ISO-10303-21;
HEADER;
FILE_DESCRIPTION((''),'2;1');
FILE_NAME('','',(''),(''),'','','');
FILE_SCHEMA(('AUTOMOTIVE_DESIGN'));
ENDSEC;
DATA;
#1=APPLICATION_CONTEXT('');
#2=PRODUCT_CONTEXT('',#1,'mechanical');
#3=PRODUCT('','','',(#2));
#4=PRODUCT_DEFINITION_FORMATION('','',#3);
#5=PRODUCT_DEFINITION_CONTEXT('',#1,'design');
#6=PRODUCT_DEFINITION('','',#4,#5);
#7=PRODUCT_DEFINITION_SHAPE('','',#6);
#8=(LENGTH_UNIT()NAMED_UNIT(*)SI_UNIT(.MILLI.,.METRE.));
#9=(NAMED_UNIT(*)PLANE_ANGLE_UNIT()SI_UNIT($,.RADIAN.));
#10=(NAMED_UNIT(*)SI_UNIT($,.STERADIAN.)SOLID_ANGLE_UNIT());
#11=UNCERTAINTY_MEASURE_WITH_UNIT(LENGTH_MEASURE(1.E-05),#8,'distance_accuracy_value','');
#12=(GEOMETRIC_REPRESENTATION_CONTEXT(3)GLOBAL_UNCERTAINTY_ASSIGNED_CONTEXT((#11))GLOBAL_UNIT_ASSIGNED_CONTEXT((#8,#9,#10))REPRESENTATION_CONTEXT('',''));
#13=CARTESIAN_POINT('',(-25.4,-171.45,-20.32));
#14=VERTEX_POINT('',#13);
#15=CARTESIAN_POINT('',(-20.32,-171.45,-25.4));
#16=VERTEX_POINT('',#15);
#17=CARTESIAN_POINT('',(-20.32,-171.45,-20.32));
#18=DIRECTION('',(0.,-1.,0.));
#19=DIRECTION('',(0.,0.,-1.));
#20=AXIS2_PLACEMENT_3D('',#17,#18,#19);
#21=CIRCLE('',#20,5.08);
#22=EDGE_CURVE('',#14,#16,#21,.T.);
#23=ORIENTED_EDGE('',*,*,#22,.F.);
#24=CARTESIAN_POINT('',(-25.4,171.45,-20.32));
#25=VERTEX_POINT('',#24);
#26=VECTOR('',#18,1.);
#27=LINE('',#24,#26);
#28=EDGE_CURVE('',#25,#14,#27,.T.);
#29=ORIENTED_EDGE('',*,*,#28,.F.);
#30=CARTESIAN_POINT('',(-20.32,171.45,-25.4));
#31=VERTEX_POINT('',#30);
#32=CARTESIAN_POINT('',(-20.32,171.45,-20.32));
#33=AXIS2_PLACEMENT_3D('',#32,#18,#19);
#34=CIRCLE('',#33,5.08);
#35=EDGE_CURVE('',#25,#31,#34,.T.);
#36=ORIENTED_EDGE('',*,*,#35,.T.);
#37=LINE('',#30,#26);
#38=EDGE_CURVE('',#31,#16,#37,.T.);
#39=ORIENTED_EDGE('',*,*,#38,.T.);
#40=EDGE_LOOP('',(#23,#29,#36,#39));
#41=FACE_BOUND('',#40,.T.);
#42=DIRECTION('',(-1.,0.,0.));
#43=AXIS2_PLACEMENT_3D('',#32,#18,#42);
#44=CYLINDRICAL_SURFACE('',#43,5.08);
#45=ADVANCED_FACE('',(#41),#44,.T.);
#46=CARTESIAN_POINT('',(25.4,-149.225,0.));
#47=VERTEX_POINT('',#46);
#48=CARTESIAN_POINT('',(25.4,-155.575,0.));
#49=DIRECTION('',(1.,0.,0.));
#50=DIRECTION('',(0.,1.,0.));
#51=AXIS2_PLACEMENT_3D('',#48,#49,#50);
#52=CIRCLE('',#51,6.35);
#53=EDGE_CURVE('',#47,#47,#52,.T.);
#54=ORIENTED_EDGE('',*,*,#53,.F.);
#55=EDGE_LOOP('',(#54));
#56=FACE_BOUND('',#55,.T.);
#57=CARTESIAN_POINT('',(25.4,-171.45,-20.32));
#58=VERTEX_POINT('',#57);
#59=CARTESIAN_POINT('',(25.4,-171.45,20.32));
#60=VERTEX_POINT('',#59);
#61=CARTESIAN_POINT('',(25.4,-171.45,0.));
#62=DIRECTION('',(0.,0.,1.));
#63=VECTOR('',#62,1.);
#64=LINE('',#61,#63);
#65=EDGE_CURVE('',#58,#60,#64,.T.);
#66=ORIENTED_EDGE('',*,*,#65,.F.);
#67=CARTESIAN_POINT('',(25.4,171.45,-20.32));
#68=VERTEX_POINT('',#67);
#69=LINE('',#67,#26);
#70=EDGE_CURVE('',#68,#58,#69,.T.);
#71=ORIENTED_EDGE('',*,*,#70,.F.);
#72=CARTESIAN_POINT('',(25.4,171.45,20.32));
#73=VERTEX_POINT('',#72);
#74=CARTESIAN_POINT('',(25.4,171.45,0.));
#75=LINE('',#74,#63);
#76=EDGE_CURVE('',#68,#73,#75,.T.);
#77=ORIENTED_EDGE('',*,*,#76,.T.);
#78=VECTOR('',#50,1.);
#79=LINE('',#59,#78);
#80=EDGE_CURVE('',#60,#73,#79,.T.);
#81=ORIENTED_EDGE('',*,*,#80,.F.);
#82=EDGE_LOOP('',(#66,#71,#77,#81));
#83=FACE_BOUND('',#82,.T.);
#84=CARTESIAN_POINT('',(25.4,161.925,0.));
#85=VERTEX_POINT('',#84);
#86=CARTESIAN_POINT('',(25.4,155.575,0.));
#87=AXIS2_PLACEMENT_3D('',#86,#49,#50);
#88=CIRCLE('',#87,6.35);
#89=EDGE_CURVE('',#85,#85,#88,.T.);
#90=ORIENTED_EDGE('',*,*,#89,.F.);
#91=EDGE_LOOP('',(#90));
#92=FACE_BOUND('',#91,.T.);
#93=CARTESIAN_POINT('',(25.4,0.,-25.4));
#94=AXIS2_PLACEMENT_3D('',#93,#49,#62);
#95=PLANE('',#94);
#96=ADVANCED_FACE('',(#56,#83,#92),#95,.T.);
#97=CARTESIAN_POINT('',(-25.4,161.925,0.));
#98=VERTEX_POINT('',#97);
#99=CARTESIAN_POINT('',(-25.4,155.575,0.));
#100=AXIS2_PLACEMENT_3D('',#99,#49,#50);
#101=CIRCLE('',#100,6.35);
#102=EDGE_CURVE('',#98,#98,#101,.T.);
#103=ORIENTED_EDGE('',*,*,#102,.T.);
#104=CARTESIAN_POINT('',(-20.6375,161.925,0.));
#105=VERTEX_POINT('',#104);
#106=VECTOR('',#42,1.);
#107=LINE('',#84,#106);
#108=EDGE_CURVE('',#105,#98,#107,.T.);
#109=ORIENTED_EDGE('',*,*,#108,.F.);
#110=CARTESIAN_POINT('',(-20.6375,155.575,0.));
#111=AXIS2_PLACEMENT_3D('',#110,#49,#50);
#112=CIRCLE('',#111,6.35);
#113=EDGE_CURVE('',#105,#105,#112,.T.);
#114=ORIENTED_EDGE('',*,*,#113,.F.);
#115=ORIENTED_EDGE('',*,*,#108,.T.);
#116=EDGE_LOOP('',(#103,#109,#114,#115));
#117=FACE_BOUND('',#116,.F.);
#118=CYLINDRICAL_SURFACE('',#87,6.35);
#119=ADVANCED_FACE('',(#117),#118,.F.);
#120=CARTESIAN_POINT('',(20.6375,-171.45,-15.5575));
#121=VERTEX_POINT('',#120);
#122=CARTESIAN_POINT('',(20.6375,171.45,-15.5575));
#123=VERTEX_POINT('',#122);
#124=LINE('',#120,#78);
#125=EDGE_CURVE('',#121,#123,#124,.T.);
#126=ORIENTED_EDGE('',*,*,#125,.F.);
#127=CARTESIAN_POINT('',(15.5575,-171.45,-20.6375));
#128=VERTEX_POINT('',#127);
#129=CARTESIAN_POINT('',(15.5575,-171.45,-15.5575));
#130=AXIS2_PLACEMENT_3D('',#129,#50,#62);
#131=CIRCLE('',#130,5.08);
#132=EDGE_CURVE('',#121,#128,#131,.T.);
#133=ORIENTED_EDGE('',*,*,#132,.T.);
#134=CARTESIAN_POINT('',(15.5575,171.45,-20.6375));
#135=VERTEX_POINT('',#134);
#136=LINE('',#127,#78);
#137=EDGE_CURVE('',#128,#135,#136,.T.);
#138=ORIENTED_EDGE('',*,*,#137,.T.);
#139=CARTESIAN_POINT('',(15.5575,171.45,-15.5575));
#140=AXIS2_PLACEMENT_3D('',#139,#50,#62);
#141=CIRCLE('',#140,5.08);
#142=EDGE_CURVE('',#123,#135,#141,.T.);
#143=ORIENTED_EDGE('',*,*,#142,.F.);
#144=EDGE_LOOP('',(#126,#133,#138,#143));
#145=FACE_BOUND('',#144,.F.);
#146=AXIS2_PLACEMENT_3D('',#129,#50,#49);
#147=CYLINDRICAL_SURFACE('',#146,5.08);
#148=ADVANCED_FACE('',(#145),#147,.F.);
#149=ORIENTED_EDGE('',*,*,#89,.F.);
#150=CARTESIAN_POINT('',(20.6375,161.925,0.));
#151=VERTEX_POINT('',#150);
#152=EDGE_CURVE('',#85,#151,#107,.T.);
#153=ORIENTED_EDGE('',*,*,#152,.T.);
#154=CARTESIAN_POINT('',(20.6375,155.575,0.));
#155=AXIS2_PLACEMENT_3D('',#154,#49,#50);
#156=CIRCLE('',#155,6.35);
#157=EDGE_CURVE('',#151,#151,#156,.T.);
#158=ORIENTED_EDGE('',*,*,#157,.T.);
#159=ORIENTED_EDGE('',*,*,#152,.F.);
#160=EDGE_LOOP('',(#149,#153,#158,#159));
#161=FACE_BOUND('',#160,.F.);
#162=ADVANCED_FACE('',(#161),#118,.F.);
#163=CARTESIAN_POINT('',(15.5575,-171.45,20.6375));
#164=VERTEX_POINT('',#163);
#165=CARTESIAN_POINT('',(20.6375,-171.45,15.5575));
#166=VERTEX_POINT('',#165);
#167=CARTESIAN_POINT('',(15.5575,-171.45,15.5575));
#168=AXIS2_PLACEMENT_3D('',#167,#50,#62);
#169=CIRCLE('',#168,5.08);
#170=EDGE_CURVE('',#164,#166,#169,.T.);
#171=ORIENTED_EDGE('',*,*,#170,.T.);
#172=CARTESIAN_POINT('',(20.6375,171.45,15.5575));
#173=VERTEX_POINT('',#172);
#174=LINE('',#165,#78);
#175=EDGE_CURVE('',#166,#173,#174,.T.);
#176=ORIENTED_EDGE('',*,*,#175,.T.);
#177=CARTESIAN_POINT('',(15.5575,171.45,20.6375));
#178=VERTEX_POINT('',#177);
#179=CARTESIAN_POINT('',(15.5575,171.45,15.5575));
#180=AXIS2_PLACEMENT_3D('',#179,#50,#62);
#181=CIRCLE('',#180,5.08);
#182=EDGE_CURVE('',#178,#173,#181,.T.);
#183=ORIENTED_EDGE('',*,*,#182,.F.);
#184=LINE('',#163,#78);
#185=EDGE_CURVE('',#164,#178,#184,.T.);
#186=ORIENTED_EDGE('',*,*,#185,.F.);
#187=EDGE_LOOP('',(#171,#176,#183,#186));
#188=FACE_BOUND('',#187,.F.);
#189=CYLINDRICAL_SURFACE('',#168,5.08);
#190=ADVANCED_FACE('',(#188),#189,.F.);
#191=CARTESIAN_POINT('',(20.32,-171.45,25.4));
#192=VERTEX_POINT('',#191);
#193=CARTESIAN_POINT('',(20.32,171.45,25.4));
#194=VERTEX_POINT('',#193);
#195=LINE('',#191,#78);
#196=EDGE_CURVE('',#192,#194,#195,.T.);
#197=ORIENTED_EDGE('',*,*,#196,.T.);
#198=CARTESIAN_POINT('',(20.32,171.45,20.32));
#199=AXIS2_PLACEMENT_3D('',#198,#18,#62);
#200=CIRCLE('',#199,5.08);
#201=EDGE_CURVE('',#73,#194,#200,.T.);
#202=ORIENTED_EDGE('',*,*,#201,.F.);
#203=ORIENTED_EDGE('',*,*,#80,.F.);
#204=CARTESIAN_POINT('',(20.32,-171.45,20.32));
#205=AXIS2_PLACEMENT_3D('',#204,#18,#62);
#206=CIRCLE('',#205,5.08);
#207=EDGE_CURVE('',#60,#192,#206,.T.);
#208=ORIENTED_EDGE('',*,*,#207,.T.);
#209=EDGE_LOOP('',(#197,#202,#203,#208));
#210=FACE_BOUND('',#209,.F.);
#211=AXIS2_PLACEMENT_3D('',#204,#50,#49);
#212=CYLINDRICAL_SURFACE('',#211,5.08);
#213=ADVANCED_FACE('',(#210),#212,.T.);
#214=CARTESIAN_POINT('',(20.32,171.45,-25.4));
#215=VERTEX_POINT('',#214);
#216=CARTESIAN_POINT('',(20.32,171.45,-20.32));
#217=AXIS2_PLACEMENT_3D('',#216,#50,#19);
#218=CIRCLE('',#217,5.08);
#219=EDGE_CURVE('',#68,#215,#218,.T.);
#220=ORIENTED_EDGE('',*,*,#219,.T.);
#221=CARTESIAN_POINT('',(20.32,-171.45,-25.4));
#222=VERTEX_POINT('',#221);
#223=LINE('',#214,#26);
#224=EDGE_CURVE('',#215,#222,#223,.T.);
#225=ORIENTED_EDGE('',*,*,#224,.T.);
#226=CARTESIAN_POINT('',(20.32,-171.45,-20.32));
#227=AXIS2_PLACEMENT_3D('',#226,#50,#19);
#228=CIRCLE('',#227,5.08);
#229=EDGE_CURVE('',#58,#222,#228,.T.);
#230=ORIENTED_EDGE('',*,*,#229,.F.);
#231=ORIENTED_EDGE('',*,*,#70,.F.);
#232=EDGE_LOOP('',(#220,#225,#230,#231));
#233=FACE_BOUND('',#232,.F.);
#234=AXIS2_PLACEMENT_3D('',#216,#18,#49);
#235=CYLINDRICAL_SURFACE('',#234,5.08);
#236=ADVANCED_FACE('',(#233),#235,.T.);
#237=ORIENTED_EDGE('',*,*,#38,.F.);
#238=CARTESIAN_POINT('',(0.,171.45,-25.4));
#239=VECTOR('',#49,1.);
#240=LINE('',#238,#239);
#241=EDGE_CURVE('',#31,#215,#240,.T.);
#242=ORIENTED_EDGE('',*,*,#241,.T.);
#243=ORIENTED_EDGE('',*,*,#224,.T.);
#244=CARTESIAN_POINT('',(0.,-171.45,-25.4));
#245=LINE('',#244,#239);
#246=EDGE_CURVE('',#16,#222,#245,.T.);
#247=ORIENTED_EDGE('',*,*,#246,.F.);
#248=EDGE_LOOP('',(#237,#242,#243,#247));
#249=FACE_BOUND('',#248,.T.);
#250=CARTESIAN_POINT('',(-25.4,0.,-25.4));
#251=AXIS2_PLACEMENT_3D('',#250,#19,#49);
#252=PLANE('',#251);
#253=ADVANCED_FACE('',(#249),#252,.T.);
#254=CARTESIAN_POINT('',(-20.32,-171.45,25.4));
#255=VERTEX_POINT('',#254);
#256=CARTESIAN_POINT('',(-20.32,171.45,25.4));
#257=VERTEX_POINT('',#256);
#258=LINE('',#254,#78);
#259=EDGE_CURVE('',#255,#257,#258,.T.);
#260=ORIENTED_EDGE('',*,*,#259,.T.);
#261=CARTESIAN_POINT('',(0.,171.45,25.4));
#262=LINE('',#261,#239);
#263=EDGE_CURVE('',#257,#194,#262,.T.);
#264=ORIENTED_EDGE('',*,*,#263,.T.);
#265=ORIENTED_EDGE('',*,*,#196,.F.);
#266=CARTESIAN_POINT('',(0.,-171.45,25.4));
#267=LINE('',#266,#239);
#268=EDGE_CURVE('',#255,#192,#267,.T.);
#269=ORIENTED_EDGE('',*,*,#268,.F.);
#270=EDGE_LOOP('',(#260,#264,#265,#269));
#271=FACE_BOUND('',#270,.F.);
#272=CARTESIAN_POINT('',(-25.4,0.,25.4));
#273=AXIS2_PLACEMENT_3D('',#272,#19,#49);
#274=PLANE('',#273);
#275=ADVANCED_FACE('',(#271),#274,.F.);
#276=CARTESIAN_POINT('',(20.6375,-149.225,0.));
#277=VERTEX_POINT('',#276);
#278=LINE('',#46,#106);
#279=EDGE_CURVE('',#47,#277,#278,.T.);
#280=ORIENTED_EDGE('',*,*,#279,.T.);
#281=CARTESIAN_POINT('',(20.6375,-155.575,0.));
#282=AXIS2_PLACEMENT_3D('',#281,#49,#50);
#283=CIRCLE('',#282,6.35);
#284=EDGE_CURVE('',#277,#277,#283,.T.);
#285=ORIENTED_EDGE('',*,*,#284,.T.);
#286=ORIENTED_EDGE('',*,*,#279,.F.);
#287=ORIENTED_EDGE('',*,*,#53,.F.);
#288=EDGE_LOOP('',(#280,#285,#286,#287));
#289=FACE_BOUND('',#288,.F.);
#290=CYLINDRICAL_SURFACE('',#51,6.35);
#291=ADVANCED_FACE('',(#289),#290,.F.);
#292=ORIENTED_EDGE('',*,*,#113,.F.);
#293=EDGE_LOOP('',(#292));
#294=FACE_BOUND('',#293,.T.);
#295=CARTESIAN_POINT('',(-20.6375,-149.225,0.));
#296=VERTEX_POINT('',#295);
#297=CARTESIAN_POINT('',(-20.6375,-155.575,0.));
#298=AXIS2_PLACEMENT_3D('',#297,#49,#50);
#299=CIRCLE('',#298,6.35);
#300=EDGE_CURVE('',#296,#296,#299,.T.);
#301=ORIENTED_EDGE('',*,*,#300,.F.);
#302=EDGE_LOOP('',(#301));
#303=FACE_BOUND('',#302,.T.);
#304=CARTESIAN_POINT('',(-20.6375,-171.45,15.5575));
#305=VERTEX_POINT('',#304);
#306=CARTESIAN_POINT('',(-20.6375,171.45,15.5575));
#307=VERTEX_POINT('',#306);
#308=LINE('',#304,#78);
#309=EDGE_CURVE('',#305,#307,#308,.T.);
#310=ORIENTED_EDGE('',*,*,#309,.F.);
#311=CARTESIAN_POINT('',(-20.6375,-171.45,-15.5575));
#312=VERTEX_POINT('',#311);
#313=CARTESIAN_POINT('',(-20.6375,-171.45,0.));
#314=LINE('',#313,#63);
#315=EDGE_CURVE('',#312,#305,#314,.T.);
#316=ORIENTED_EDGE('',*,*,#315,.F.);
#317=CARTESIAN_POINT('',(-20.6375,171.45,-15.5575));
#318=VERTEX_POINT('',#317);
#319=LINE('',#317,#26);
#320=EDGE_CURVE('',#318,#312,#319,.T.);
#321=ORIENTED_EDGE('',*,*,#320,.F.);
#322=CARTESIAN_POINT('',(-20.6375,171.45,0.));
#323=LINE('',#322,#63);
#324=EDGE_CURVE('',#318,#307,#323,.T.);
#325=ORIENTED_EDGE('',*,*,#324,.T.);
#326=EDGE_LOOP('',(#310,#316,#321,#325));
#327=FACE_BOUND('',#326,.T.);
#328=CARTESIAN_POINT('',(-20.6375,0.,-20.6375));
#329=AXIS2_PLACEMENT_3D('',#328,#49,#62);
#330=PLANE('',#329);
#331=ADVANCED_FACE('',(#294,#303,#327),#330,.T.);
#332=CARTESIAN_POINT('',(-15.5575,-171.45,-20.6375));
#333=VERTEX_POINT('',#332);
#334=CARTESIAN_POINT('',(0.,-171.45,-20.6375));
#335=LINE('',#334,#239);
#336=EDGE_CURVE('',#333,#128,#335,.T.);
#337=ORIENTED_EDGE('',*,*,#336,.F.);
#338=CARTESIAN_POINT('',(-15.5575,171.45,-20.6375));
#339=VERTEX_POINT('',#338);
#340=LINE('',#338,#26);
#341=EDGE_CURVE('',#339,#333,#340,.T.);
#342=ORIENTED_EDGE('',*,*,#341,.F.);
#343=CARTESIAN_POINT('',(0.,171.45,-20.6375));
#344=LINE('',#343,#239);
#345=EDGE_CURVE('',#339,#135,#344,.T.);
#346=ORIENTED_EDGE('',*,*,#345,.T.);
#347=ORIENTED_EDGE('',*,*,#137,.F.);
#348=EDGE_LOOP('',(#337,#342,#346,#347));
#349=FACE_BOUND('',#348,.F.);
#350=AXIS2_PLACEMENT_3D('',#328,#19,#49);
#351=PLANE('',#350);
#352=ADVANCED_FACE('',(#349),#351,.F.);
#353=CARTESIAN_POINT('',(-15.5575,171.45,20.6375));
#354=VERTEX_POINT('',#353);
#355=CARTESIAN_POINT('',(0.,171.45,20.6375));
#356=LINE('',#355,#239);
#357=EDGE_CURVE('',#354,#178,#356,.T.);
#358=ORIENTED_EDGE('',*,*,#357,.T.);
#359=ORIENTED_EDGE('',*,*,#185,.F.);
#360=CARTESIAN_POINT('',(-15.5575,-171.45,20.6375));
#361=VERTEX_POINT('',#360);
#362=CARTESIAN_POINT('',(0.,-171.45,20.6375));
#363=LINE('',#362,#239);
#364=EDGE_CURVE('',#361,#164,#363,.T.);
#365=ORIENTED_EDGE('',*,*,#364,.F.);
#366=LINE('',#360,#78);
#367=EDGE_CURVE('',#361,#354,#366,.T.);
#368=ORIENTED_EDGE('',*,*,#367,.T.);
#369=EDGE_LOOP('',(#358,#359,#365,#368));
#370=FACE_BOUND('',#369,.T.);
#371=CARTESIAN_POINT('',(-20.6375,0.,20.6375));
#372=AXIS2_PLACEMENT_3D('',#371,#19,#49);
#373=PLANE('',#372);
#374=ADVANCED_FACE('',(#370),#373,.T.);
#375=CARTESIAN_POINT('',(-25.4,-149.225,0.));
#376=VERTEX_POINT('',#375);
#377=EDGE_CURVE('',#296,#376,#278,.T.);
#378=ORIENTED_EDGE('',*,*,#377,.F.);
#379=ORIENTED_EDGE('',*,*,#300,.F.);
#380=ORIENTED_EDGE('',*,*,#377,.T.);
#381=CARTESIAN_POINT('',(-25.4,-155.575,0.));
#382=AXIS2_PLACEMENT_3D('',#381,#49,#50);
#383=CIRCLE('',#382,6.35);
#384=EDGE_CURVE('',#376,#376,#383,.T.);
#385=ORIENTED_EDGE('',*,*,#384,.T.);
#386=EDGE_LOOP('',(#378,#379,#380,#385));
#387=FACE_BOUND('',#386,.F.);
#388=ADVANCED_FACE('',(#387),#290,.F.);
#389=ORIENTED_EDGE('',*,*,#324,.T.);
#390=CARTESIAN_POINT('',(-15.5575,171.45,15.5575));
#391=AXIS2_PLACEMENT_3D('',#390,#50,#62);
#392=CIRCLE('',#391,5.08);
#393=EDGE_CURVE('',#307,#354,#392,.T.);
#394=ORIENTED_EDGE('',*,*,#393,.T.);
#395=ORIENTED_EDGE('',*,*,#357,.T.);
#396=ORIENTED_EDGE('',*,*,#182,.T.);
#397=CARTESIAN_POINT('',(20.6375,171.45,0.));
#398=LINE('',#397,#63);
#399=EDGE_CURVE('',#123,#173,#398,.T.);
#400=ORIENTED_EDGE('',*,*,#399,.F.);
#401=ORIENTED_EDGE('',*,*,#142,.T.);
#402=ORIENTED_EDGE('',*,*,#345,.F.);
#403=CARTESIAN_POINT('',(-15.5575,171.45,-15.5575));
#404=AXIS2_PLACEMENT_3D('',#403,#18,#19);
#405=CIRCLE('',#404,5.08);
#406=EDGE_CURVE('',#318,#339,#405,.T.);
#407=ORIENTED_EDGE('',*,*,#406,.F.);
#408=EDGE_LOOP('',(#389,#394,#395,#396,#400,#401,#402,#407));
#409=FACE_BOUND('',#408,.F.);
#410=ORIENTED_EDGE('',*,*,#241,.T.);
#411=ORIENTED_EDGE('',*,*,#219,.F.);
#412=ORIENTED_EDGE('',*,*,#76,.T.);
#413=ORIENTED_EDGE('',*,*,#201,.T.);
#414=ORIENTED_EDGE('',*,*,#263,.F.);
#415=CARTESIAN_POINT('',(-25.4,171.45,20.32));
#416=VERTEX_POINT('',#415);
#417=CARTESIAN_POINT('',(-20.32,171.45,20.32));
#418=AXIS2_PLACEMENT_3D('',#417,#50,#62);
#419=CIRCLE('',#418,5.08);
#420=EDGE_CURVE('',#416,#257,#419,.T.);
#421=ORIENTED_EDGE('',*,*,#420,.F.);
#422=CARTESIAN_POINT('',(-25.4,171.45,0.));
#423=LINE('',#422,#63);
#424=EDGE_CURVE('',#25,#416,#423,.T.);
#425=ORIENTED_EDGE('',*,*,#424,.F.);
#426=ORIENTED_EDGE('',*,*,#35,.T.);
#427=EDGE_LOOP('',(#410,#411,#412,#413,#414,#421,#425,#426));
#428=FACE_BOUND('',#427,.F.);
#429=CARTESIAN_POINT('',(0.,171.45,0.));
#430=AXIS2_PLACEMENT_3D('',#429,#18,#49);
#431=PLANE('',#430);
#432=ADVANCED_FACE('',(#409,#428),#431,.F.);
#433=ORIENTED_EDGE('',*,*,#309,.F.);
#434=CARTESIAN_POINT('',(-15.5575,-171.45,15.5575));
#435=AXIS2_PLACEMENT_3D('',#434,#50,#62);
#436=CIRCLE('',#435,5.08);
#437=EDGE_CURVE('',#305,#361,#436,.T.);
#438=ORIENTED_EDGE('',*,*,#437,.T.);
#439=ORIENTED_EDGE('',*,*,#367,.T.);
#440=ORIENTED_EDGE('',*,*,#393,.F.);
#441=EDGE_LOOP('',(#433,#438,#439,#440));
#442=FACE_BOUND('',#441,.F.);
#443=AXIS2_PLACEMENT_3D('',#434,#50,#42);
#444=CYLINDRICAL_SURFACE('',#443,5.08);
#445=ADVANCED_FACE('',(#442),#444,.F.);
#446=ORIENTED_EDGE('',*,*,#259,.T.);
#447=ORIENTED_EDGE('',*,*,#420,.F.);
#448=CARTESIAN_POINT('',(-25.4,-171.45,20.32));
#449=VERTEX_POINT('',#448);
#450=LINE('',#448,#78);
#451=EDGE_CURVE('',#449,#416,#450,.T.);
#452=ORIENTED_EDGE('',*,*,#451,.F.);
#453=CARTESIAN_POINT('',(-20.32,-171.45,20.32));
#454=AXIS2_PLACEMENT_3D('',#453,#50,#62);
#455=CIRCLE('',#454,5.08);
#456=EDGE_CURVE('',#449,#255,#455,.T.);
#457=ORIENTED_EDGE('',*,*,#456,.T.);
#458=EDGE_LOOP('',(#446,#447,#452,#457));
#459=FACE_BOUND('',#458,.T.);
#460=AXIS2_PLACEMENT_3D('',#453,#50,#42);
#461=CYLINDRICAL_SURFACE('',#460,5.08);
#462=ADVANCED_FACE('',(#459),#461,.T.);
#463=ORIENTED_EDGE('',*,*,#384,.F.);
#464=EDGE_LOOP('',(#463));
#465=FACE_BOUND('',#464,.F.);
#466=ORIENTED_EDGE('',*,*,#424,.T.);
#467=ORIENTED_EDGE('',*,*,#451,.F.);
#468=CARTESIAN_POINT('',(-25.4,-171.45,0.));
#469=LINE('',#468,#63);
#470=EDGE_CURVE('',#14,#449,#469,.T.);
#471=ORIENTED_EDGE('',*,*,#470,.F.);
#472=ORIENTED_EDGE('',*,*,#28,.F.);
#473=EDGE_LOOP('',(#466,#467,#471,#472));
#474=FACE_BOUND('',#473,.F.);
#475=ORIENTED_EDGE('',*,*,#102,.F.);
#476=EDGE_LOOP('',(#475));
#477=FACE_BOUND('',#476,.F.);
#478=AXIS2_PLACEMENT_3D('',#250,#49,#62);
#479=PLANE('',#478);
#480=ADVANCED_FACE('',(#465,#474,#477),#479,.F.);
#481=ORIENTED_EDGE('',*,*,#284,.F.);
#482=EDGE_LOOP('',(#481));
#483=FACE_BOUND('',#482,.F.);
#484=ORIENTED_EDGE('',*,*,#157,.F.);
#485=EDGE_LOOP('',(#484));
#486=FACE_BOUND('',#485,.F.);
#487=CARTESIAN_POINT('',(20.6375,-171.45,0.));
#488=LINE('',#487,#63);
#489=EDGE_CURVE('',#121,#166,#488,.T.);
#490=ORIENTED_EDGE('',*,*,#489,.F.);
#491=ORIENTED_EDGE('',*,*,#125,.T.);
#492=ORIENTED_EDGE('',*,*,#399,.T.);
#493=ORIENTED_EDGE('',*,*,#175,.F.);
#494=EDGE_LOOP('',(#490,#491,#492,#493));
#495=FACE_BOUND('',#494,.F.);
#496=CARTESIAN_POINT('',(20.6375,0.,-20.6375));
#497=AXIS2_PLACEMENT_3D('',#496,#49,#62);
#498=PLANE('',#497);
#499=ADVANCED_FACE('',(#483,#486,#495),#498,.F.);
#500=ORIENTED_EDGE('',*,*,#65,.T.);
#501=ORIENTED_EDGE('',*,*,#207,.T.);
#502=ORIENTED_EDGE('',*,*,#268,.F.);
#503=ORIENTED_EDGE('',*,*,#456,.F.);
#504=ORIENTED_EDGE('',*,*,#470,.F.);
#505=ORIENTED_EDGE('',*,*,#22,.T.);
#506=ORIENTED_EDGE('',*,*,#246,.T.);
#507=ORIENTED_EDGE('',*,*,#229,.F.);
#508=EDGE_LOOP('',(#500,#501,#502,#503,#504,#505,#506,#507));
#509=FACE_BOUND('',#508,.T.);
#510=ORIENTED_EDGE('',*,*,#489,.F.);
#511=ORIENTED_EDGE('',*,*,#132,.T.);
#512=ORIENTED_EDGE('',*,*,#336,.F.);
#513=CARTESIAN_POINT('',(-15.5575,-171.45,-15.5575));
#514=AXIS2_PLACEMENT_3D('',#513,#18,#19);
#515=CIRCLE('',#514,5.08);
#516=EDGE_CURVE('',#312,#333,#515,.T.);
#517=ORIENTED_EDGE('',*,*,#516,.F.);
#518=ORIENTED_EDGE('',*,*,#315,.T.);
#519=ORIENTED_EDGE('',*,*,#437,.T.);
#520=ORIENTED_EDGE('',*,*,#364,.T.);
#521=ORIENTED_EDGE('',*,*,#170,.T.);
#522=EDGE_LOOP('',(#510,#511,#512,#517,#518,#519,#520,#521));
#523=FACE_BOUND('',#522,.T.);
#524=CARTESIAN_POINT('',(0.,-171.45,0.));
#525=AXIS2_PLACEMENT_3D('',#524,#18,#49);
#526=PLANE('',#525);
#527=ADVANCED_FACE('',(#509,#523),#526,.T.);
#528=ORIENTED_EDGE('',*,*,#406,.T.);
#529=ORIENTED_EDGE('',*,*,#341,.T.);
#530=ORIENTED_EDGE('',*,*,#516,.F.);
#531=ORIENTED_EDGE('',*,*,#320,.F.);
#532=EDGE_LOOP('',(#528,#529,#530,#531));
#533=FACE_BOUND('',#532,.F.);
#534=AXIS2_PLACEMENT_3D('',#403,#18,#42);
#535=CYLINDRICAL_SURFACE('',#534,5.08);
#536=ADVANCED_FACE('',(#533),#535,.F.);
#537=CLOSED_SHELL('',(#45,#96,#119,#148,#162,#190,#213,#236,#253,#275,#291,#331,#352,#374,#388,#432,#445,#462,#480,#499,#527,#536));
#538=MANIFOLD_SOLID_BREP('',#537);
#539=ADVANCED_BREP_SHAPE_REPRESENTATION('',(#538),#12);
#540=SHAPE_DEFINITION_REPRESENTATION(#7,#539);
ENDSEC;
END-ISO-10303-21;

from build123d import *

# Parameters (mm, degrees)
F0_W     = 50.8
F0_H     = 50.8
F0_W_2   = 41.275
F0_H_2   = 41.275
F1_DEPTH = 171.45
F2_R     = 5.08
F3_R     = 6.35
F4_DEPTH = 50.801


with BuildPart() as f1:
    # F0 (on Front) → F1 (new body, symmetric)
    with BuildSketch(Plane.XZ):
        Rectangle(F0_W, F0_H)
        Rectangle(F0_W_2, F0_H_2, mode=Mode.SUBTRACT)
    extrude(amount=F1_DEPTH, both=True)

    # F2
    f2_edges = [f1.edges().sort_by_distance(p)[0] for p in [
        (-20.6375, 0, 20.6375),
        (25.4, 0, -25.4),
        (-25.4, 0, -25.4),
        (25.4, 0, 25.4),
        (20.6375, 0, -20.6375),
        (-25.4, 0, 25.4),
        (20.6375, 0, 20.6375),
        (-20.6375, 0, -20.6375),
    ]]
    fillet(f2_edges, radius=F2_R)

    # F3 (on face) → F4 (cut, through all)
    with BuildSketch(Plane.YZ.offset(25.4)):
        with Locations((-155.575, 0)):
            Circle(F3_R)
        with Locations((155.575, 0)):
            Circle(F3_R)
    extrude(amount=-F4_DEPTH, mode=Mode.SUBTRACT)


solid = f1.part
